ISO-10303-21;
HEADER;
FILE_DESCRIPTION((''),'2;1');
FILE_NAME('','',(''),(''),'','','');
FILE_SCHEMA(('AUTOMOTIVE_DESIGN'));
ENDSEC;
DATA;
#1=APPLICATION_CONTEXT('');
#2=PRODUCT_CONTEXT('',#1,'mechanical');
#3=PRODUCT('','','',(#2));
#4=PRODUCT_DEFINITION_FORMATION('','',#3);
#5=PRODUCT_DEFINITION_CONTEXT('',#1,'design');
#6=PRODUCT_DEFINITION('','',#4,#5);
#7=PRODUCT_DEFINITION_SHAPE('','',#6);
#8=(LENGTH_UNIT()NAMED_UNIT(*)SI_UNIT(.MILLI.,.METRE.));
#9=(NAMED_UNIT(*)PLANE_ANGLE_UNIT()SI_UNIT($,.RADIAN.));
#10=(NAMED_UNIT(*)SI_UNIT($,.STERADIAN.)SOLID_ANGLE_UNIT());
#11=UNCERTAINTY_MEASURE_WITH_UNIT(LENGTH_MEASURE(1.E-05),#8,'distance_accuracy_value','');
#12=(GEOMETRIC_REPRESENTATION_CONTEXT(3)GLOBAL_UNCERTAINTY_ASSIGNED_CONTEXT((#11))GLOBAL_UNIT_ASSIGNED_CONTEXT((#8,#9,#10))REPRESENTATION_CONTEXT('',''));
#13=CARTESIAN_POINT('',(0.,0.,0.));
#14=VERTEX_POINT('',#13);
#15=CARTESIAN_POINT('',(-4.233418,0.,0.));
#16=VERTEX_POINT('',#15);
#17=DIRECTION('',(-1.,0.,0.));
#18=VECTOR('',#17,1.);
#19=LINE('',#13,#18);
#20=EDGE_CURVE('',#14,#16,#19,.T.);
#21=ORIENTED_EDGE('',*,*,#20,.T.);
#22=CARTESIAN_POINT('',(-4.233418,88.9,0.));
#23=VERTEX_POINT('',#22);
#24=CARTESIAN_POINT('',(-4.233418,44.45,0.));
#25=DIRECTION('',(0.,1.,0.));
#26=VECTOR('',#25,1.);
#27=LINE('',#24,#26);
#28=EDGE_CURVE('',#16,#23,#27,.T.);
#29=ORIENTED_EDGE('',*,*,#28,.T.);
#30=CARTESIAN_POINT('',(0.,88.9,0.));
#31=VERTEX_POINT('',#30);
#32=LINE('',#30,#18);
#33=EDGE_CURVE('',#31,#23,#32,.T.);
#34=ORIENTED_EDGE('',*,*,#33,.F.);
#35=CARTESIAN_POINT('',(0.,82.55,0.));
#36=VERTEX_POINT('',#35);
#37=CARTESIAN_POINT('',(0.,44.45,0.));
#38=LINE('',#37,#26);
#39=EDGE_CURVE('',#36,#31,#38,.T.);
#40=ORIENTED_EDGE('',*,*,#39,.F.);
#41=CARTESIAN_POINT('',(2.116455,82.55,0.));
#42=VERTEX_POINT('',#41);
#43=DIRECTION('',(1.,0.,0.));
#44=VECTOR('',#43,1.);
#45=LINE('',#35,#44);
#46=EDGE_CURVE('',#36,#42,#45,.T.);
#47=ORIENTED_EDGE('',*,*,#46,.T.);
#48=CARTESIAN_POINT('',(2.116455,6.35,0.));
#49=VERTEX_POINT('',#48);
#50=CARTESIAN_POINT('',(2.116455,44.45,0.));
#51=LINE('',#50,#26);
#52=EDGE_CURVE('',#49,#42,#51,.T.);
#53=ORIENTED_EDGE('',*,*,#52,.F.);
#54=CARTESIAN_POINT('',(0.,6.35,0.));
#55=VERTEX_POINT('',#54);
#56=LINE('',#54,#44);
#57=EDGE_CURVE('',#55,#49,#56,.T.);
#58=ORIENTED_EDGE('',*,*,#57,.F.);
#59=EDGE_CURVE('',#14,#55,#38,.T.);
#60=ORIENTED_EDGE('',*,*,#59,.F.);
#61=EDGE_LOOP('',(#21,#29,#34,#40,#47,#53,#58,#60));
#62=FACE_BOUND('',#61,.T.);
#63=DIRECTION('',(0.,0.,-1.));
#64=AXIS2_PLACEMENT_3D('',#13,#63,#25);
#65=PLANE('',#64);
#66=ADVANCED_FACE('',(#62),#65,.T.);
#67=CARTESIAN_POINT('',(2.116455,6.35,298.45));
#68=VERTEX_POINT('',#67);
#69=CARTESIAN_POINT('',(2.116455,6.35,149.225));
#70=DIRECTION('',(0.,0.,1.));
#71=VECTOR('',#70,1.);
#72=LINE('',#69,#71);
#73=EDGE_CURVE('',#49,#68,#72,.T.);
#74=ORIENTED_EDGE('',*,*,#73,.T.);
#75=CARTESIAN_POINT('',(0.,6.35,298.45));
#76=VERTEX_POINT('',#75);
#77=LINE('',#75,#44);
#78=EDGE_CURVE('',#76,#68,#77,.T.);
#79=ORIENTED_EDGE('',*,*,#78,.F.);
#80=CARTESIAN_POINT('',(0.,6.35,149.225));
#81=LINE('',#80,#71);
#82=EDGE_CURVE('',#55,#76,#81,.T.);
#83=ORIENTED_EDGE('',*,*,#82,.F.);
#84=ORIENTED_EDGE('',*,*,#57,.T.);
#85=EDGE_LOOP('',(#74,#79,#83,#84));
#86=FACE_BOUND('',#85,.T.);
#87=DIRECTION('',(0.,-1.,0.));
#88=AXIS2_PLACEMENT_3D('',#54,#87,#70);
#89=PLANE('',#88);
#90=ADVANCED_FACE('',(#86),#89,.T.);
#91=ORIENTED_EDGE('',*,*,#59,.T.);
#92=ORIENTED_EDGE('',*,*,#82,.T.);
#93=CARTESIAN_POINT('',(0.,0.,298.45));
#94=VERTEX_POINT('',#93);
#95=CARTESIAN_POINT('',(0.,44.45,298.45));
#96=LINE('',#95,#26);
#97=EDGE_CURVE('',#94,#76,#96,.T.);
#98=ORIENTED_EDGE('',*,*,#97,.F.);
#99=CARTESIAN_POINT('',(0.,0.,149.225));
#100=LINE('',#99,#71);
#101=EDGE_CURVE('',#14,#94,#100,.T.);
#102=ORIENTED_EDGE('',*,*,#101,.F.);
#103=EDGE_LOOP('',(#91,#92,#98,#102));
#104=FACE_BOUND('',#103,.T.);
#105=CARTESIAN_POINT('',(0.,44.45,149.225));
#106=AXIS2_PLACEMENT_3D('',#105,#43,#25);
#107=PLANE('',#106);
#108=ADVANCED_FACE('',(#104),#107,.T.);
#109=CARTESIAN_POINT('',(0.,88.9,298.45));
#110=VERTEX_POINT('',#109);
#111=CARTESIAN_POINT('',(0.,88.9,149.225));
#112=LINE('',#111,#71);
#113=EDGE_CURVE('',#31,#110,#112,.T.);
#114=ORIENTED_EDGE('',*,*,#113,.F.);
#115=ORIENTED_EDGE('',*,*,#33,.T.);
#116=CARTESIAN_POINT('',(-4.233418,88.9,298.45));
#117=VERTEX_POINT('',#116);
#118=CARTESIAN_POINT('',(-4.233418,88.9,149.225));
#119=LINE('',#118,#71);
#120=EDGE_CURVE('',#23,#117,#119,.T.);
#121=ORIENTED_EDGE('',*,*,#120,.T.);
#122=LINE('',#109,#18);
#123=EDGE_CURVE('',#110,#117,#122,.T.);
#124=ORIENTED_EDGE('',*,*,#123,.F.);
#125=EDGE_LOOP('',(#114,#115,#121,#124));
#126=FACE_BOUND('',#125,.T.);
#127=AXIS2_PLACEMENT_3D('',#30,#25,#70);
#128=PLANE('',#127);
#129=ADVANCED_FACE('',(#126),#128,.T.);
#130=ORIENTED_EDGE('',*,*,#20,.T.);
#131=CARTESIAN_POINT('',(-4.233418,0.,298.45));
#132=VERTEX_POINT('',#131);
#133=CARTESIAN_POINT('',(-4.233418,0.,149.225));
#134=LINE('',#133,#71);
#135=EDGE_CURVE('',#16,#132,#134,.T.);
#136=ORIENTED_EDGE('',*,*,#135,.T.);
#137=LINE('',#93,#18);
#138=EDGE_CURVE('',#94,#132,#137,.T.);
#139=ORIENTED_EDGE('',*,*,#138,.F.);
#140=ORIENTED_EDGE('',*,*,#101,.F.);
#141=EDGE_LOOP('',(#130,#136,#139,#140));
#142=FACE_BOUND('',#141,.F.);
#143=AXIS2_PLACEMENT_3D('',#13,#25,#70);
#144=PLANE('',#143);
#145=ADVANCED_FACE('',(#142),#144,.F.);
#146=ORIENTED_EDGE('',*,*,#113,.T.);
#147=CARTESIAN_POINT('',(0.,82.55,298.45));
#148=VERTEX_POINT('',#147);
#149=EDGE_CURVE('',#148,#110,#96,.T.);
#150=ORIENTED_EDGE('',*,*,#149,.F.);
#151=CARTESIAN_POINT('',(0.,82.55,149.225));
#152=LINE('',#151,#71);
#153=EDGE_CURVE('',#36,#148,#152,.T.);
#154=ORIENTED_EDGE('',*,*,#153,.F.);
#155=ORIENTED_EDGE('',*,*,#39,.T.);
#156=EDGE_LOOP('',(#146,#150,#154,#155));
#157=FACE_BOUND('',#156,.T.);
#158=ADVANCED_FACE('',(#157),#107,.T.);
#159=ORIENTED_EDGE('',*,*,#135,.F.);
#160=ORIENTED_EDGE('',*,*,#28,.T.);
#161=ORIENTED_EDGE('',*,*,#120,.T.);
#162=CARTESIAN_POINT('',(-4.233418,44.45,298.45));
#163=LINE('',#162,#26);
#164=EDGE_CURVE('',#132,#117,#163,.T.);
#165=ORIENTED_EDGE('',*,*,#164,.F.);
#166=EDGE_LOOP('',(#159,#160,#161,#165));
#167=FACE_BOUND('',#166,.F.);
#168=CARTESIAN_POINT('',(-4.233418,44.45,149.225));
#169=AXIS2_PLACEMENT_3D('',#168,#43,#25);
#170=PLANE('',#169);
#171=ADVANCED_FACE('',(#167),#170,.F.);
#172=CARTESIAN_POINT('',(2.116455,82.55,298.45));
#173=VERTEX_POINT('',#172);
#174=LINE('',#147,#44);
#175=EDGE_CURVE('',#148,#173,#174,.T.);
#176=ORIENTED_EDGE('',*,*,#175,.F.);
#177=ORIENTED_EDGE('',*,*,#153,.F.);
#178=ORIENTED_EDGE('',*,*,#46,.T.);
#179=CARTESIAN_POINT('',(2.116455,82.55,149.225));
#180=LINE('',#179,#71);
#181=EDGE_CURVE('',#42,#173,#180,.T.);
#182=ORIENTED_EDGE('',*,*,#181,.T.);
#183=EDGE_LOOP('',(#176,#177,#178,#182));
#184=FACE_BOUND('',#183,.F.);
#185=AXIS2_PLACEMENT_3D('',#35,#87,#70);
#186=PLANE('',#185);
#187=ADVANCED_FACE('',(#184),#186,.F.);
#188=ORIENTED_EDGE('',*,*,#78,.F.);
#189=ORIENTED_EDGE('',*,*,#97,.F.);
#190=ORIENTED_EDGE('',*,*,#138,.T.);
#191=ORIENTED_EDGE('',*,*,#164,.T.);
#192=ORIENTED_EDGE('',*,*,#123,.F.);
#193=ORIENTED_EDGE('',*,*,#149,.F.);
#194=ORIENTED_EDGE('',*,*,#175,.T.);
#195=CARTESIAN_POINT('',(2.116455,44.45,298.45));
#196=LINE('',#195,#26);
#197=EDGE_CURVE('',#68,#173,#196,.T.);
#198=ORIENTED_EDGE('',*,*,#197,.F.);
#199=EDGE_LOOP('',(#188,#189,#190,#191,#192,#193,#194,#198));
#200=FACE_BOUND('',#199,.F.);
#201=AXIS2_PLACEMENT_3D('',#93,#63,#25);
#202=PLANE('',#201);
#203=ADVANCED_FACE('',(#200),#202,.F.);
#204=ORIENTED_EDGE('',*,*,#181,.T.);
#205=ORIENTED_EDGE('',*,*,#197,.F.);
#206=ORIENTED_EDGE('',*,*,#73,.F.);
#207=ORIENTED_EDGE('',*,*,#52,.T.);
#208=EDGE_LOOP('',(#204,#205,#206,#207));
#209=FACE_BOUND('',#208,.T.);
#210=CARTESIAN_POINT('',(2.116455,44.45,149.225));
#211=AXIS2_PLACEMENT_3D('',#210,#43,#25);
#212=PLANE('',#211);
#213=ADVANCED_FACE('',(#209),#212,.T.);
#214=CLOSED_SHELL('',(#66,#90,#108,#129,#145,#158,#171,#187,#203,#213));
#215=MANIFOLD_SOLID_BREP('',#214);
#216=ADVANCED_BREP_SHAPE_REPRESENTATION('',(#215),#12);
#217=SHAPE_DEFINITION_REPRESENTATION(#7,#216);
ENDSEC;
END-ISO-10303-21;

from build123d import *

# Parameters (mm, degrees)
F0_W     = 88.9
F0_H     = 298.45
F2_DEPTH = 4.233418
F1_W     = 76.2
F1_H     = 298.45
F3_DEPTH = 2.116455


with BuildPart() as f2:
    # F0 (on Right) → F2 (new body)
    with BuildSketch(Plane.YZ):
        with Locations((44.45, 149.225)):
            Rectangle(F0_W, F0_H)
    extrude(amount=-F2_DEPTH)

    # F1 (on Right) → F3 (join)
    with BuildSketch(Plane.YZ):
        with Locations((44.45, 149.225)):
            Rectangle(F1_W, F1_H)
    extrude(amount=F3_DEPTH)


solid = f2.part
